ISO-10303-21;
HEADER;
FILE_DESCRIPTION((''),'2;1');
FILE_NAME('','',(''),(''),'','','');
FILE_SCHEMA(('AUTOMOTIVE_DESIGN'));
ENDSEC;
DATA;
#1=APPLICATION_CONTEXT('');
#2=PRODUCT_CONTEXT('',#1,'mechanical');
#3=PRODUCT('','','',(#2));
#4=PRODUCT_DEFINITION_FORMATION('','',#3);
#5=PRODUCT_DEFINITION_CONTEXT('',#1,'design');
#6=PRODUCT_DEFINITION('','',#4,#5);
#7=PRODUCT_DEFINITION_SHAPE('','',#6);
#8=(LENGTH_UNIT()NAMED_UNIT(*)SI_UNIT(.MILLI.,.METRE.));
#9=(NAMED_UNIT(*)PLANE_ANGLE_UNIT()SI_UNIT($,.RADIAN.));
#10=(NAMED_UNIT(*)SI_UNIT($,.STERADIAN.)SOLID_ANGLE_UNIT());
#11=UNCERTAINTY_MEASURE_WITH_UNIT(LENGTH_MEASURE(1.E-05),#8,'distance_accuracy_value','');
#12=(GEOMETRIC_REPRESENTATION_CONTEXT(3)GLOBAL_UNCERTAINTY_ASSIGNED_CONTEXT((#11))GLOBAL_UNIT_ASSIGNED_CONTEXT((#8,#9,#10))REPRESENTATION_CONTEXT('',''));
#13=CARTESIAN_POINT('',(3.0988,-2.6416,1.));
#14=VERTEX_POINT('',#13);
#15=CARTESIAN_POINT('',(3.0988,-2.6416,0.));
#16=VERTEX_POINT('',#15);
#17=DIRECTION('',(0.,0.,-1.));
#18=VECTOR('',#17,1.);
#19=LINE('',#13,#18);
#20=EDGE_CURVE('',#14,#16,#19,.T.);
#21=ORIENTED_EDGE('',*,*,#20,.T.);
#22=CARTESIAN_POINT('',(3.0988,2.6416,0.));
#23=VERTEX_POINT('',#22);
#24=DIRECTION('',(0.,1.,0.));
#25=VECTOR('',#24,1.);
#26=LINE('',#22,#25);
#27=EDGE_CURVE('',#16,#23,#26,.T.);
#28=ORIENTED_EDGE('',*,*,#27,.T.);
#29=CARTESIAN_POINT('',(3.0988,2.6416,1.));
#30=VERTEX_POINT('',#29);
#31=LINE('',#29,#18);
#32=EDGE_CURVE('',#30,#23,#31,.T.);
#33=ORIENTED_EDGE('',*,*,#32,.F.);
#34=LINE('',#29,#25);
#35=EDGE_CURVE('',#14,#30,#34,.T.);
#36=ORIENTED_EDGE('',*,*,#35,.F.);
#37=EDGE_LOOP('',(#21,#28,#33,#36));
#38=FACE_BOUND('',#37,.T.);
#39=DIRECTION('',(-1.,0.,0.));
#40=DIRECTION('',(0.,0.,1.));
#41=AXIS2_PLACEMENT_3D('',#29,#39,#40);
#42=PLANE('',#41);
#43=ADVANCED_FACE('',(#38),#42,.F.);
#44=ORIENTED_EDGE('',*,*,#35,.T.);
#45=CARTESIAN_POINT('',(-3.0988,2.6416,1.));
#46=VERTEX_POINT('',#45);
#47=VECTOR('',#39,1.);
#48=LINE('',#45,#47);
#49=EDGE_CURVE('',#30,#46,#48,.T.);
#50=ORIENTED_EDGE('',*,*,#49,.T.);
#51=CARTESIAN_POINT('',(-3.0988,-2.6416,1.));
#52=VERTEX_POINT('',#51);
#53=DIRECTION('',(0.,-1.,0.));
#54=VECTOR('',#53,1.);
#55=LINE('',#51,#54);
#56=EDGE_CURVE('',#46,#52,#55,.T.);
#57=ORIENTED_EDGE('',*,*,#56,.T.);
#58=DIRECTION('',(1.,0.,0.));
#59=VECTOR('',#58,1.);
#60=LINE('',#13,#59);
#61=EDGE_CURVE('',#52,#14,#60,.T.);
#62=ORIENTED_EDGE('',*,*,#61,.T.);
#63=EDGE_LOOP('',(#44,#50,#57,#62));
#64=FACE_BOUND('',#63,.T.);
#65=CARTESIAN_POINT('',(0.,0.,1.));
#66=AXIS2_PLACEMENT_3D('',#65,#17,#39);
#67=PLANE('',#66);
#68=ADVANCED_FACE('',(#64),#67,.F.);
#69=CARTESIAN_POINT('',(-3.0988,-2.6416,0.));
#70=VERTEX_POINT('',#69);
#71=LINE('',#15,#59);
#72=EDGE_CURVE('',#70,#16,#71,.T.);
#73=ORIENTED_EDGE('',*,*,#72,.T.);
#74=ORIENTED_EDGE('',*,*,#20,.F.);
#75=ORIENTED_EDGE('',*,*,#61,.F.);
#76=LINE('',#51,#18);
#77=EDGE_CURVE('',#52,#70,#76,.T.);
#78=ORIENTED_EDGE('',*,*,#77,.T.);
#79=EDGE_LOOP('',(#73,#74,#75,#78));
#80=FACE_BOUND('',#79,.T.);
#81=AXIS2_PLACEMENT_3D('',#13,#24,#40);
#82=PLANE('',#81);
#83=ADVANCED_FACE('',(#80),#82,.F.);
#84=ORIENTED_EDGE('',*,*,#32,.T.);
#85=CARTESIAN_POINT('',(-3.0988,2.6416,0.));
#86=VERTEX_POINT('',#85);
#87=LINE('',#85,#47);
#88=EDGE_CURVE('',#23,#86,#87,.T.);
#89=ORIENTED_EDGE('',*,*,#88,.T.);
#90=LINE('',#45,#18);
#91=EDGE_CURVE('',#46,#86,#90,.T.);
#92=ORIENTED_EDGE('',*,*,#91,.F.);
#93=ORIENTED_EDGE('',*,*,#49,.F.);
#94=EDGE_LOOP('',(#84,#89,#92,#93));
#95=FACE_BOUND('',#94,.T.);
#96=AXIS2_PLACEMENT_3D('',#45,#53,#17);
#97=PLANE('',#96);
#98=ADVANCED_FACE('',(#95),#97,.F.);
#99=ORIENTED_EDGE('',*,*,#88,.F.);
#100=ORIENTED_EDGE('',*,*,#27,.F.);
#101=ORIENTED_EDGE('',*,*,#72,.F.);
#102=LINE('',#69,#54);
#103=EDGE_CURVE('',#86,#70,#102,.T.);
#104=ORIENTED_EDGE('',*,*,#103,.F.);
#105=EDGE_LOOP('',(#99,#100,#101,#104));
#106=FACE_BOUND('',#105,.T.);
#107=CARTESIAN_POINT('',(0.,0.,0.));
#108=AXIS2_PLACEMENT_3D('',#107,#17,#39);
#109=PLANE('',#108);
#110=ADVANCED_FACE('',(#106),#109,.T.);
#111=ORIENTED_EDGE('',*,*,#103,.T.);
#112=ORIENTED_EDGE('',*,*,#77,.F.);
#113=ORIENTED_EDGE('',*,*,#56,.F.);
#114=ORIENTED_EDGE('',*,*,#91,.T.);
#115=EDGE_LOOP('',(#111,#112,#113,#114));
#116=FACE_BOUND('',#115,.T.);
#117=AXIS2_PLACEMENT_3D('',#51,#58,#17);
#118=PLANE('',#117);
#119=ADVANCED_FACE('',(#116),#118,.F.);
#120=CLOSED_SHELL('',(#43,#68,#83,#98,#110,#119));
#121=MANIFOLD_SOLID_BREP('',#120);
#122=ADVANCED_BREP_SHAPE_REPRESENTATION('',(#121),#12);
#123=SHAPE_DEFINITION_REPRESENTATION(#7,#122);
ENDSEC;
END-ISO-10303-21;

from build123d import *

# Parameters (mm, degrees)
SKETCH1_W               = 6.1976
SKETCH1_H               = 5.2832
COMPONENT_OUTLINE_DEPTH = 1


with BuildPart() as part:
    # Sketch1 → Component_Outline (new body)
    with BuildSketch(Plane.XY):
        Rectangle(SKETCH1_W, SKETCH1_H)
    extrude(amount=COMPONENT_OUTLINE_DEPTH)


solid = part.part
